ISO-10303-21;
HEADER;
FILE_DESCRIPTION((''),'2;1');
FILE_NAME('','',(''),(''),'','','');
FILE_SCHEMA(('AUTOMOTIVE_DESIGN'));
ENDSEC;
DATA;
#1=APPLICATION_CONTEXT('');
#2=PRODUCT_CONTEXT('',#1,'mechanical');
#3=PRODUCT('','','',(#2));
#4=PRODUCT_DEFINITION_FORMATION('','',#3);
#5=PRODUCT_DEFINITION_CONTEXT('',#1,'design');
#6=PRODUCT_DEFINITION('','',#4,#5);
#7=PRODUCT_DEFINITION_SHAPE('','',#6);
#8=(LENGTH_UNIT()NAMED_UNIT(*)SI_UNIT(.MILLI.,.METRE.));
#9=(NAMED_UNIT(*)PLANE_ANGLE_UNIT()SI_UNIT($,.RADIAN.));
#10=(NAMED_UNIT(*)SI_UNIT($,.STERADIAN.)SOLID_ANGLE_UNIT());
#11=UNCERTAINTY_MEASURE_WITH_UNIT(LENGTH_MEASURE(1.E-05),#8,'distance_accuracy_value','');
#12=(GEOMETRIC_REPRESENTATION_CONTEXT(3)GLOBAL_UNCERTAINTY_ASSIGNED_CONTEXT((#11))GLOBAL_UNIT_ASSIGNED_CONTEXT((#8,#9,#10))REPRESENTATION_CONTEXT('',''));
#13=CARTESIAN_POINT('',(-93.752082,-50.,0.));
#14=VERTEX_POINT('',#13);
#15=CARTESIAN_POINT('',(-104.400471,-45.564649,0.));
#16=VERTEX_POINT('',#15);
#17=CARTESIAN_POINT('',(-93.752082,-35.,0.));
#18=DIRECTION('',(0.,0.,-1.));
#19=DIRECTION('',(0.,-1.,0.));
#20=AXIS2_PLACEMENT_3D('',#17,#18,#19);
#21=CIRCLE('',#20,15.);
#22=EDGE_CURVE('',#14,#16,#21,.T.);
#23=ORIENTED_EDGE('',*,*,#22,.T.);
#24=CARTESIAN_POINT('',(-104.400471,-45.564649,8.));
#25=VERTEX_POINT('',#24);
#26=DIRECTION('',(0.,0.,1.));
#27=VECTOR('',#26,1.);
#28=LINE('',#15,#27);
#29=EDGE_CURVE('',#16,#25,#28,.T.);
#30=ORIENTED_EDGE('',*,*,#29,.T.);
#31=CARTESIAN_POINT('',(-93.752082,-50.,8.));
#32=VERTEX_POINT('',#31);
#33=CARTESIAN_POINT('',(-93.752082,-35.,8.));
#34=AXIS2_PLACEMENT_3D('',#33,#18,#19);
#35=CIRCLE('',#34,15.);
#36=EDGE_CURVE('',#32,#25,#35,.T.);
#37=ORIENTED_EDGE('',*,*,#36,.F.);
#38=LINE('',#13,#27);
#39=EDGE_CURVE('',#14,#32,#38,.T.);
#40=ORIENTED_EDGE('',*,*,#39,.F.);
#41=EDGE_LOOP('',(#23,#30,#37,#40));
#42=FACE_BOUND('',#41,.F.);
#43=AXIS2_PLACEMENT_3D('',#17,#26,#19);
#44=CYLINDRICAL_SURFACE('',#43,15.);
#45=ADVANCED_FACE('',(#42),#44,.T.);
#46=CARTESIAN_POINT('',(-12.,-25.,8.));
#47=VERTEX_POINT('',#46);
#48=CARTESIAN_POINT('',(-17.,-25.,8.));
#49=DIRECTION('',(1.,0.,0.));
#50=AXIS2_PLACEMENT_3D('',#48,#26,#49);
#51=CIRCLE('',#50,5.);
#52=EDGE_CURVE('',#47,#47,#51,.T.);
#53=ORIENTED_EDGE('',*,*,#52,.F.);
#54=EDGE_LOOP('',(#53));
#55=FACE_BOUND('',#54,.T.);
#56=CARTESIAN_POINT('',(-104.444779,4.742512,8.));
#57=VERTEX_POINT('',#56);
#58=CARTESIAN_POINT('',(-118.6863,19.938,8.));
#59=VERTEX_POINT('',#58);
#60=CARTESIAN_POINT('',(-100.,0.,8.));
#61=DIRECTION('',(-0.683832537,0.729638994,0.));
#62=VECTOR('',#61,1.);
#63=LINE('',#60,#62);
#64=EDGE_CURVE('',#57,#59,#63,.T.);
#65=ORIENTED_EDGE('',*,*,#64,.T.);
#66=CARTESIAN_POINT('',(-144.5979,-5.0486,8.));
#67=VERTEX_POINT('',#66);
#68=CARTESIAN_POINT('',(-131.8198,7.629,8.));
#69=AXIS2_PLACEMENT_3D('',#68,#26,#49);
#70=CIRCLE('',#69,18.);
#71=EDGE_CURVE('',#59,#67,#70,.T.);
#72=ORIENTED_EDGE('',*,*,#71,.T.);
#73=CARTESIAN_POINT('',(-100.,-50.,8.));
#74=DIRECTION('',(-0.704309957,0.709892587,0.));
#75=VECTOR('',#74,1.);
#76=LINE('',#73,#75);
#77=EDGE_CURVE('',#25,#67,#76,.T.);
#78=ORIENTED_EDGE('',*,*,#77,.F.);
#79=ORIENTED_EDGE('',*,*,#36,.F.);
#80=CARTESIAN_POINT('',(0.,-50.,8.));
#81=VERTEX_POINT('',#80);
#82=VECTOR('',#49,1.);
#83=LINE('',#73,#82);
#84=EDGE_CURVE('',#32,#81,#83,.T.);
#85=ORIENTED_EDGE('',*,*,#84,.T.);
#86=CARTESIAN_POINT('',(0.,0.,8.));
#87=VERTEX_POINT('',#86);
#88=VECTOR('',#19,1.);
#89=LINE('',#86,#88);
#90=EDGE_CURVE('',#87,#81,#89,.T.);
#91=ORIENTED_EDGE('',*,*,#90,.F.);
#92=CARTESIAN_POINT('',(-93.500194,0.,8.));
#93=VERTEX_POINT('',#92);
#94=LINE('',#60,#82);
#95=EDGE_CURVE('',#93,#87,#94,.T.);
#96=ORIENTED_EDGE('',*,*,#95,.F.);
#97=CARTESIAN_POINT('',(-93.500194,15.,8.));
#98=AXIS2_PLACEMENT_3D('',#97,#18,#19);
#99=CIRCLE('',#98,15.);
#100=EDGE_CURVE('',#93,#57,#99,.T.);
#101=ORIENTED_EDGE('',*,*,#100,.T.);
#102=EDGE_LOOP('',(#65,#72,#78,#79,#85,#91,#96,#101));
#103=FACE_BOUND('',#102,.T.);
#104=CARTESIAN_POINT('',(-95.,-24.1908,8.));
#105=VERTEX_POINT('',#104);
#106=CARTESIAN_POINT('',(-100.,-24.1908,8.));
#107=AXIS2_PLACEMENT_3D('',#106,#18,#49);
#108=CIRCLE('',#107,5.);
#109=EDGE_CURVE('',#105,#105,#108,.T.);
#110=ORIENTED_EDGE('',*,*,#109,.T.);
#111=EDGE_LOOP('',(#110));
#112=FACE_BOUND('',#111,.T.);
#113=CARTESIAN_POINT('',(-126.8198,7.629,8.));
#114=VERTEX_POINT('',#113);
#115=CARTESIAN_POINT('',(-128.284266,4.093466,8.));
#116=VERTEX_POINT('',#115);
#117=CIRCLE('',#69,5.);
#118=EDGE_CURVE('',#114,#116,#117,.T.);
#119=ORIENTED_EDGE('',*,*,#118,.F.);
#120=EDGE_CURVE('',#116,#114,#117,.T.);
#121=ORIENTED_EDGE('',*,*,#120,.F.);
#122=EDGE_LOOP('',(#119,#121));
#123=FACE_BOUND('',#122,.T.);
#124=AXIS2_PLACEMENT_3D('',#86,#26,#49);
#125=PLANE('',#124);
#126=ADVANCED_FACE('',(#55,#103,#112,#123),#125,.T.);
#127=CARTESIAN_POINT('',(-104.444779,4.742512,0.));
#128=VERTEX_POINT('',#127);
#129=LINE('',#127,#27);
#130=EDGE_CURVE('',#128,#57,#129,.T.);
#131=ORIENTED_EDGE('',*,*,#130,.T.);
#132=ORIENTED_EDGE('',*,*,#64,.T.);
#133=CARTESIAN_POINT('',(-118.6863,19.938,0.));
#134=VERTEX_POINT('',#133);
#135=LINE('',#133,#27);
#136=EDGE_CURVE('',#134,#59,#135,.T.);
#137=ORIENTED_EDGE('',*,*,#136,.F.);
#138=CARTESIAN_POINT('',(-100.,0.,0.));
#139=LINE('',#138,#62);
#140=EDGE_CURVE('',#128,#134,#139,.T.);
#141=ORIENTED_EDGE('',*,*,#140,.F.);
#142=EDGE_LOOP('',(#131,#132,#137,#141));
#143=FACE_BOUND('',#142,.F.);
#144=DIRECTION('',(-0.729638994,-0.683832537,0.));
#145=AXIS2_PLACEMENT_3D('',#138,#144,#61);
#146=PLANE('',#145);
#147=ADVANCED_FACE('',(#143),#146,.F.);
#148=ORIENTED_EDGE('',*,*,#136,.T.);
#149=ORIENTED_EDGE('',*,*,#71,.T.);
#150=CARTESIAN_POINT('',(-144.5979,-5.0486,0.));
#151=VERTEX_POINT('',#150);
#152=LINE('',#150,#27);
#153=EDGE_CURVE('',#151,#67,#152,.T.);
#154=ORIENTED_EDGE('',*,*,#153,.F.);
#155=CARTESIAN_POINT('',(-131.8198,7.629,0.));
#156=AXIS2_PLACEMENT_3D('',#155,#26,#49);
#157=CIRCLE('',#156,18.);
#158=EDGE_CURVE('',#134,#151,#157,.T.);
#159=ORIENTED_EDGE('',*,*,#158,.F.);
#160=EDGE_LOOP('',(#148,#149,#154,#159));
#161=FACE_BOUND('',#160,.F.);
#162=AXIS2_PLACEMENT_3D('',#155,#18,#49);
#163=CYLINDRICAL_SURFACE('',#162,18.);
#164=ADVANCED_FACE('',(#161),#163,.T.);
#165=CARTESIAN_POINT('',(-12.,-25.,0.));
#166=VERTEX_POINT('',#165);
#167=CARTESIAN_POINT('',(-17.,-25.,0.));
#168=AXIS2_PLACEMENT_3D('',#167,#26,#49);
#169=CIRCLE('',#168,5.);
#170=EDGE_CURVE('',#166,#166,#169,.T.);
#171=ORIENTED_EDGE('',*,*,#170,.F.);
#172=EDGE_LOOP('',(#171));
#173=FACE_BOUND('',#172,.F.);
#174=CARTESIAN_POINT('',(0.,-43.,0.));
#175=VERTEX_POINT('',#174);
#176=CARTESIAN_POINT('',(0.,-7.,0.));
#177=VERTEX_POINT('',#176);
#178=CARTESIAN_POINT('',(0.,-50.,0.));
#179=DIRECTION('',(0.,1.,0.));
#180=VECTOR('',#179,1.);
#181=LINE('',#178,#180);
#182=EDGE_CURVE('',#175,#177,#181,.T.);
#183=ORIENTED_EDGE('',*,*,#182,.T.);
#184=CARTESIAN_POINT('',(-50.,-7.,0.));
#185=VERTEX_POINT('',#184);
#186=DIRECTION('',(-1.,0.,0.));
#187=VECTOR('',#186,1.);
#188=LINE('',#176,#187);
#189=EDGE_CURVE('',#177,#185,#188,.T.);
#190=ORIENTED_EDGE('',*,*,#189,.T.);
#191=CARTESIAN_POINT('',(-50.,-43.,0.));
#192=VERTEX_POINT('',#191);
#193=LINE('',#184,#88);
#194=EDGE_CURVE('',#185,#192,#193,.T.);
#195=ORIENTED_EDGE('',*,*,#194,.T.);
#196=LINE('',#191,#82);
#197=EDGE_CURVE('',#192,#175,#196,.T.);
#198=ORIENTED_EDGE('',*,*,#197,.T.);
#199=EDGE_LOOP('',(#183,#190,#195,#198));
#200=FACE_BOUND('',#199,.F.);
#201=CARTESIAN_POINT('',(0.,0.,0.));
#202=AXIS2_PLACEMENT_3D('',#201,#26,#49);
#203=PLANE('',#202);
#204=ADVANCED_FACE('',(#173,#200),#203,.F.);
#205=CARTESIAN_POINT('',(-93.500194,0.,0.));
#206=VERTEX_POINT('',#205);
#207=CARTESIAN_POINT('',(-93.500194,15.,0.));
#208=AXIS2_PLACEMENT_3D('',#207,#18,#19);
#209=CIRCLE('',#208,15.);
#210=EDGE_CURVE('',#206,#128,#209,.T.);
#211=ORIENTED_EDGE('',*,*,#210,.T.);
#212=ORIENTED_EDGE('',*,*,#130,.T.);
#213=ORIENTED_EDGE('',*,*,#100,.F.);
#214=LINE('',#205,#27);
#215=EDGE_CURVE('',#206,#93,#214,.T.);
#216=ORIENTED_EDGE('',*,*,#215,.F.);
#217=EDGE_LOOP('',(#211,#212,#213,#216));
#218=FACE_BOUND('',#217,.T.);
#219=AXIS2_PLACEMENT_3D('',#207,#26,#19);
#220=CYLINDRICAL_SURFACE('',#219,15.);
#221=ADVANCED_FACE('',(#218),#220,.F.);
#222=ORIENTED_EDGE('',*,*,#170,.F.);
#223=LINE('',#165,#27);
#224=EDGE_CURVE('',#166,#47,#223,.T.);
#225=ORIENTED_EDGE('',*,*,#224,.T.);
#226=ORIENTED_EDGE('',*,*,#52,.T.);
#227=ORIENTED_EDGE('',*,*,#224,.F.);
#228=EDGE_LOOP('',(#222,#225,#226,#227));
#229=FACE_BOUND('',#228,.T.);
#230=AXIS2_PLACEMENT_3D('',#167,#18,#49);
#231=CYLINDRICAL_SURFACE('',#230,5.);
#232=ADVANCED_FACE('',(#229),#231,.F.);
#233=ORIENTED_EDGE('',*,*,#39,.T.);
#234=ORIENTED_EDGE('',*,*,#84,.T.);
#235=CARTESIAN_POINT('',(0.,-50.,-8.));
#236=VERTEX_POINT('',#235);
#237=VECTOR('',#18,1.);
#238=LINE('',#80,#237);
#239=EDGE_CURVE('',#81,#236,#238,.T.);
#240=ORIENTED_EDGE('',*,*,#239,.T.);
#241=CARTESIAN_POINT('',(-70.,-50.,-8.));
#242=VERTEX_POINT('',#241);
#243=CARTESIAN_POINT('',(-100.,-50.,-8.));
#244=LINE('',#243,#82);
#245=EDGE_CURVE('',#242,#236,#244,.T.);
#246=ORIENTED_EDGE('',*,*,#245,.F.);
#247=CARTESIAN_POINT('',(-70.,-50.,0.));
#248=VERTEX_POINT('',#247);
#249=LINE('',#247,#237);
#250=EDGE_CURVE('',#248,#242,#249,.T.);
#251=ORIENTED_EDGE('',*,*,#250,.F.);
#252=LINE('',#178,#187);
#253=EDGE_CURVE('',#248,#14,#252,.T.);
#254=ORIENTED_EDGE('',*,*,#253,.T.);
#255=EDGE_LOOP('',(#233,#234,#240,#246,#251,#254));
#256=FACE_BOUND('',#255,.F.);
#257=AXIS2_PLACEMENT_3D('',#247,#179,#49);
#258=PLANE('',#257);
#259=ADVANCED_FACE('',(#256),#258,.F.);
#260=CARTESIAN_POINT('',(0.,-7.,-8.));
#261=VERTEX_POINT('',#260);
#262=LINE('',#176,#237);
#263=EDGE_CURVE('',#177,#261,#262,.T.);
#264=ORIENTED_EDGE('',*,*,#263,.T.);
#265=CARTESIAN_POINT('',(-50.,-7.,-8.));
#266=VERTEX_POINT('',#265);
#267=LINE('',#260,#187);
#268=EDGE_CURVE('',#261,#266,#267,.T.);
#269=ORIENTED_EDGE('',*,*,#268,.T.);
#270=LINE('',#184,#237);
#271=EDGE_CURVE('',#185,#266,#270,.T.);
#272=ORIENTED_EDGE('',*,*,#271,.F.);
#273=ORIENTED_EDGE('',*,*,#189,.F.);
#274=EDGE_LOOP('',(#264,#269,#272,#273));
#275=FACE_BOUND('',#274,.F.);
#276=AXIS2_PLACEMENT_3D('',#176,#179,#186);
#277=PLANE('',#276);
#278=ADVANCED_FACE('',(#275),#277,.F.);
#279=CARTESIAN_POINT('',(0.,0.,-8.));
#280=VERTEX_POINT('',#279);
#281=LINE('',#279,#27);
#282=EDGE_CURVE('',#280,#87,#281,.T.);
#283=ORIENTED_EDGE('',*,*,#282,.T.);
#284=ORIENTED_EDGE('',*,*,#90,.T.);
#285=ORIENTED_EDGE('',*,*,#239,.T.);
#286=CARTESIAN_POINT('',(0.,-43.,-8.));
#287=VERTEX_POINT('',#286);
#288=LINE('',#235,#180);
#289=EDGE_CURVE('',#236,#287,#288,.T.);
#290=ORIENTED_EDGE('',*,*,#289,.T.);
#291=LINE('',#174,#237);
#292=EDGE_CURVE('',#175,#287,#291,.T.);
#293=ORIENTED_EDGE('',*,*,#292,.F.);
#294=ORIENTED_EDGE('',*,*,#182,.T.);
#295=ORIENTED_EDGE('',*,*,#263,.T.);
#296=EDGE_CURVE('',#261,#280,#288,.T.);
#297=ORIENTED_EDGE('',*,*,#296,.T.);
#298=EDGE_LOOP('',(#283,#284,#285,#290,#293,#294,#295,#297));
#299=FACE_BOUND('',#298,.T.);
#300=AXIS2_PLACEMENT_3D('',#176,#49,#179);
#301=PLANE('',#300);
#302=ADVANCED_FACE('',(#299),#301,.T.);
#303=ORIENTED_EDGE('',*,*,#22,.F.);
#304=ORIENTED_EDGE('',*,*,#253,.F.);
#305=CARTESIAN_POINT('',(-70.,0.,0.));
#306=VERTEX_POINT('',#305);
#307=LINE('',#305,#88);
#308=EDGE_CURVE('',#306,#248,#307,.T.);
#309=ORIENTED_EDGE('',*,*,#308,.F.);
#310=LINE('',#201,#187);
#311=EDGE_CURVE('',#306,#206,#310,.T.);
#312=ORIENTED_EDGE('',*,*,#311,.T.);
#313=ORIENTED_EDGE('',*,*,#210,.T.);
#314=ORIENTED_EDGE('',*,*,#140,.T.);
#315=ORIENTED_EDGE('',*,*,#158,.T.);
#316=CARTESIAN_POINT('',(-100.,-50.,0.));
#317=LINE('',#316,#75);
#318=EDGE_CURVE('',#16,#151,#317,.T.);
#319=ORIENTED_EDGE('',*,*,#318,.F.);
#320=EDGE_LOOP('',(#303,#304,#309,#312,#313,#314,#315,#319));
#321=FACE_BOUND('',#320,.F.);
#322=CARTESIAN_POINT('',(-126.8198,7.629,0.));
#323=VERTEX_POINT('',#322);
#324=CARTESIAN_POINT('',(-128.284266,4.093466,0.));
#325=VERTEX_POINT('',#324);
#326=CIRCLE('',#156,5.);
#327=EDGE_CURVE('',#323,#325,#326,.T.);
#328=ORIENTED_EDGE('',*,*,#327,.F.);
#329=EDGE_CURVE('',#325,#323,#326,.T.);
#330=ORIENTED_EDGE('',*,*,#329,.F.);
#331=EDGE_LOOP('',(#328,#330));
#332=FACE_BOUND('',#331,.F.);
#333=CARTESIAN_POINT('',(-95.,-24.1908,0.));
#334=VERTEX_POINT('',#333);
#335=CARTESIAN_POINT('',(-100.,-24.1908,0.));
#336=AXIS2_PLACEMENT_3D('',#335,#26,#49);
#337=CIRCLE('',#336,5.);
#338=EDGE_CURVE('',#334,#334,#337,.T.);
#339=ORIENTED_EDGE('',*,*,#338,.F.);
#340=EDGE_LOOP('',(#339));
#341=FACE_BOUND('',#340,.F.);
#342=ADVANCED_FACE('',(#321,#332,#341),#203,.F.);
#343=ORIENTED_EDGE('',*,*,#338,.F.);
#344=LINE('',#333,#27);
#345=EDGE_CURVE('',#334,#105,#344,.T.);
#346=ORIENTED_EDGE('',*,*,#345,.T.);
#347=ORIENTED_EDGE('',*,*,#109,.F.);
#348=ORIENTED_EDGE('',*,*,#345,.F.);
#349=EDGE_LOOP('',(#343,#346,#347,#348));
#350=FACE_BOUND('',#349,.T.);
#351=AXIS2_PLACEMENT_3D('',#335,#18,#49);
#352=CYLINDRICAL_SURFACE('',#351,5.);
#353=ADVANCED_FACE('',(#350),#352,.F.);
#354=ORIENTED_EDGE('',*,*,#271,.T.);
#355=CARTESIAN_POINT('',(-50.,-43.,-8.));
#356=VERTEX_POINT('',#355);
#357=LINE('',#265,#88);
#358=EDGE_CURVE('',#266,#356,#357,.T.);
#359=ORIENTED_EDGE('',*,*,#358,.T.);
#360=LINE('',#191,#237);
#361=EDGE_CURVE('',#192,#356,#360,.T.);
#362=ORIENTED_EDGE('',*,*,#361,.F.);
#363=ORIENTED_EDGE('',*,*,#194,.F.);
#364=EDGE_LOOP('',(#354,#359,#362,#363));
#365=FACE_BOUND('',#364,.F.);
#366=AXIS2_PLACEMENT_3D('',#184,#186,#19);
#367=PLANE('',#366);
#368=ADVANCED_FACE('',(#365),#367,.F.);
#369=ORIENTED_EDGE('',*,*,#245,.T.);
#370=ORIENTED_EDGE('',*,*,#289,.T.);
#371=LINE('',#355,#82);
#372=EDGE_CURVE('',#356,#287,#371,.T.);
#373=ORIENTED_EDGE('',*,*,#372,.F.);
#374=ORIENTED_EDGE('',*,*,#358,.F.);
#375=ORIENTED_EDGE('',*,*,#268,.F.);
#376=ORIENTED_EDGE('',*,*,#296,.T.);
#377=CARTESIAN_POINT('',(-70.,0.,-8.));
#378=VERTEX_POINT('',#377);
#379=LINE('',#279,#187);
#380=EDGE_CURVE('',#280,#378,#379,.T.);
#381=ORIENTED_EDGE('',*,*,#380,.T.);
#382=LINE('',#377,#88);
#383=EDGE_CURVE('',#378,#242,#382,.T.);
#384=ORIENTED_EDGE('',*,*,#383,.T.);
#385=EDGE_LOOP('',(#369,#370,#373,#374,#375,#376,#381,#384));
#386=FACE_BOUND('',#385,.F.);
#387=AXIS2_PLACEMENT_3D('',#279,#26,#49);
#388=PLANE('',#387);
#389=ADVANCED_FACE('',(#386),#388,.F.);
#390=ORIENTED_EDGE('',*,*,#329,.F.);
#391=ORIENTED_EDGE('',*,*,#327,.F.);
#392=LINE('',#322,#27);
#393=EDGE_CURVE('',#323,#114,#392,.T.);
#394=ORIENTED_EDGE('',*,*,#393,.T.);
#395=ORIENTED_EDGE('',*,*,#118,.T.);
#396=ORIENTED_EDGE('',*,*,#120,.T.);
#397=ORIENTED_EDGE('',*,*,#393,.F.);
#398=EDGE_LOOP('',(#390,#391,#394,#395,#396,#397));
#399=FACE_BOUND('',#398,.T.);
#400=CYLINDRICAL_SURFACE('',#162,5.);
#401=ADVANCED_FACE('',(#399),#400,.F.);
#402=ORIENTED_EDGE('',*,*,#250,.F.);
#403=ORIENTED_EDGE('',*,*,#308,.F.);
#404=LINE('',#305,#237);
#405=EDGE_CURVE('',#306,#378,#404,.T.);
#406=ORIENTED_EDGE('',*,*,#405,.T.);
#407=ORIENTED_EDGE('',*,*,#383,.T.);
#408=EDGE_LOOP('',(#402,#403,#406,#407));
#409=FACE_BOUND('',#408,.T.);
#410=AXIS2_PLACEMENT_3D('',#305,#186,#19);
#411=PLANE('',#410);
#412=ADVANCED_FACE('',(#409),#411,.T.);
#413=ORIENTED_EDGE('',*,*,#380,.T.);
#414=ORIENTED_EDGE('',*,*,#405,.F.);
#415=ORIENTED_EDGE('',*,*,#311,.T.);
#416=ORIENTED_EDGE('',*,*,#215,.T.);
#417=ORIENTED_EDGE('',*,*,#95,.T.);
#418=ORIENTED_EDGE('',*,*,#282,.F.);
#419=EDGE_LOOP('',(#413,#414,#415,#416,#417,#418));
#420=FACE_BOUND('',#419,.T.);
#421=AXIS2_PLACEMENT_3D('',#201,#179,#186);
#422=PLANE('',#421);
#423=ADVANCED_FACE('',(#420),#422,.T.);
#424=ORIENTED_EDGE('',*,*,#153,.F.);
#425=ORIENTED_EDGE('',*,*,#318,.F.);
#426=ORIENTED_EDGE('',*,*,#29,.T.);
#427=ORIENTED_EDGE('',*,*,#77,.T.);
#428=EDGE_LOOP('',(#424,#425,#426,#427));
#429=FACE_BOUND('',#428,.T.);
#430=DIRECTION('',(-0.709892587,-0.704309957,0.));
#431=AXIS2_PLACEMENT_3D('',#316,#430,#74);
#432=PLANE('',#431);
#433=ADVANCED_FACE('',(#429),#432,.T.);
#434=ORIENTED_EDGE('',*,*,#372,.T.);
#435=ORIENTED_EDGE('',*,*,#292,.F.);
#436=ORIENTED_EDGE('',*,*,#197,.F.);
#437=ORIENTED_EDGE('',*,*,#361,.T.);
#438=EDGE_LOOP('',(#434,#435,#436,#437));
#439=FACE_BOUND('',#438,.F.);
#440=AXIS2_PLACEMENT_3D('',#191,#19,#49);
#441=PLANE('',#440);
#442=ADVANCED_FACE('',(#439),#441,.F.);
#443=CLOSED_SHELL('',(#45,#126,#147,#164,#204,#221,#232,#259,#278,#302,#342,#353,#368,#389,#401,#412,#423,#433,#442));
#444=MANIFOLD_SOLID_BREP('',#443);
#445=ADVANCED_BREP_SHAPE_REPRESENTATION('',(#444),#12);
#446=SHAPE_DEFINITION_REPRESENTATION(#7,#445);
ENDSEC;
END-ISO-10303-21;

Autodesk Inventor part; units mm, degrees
ref_plane "YZ Plane" through (0, 0, 0) normal (1, 0, 0) x (0, 1, 0)
ref_plane "XZ Plane" through (0, 0, 0) normal (0, 1, 0) x (-1, 0, 0)
ref_plane "XY Plane" through (0, 0, 0) normal (0, 0, 1) x (1, 0, 0)
sketch "Sketch1" plane through (0, 0, 0) normal (0, 0, 1) x (1, 0, 0)
  line L0 (0, 0) -> (-100, 0)
  line L1 (-100, 0) -> (-100, -50)
  line L2 (-100, -50) -> (0, -50)
  line L3 (0, -50) -> (0, 0)
  line L4 (0, 0) -> (-70, 0)
  line L5 (-70, 0) -> (-70, -50)
  line L6 (-70, -50) -> (0, -50)
  line L7 (0, -50) -> (0, 0)
  line L8 (0, -7) -> (-50, -7)
  line L9 (-50, -7) -> (-50, -43)
  line L10 (-50, -43) -> (0, -43)
  line L11 (0, -43) -> (0, -7)
  line L12 (-100, -24.1908) -> (-131.8198, 7.629)
  line L13 (-100, -24.1908) -> (-55, -24.1908) construction
  circle A0 centre (-131.8198, 7.629) radius 5
  circle A1 centre (-100, -24.1908) radius 5
  circle A2 centre (-17, -25) radius 5
  circle A3 centre (-131.8198, 7.629) radius 18
  line L14 (-100, 0) -> (-118.6863, 19.938)
  line L15 (-100, -50) -> (-144.5979, -5.0486)
  point P0 (0, -43)
  dimension "d0" = 100
  dimension "d1" = 50
  dimension "d2" = 36
  dimension "d3" = 50
  dimension "d4" = 7
  dimension "d5" = 45
  dimension "d6" = 135
  dimension "d7" = 10
  dimension "d8" = 36
  dimension "d9" = 17
  dimension "d10" = 25
  dimension "d11" = 70
  dimension "d13" = 133.144
extrude "Extrusion1" add sketch "Sketch1" along normal blind 8 contours L3 L8 L9 L10 L2 L5 L0 | L5 L2 L1 A1 L0 | L3 L10 L9 L8 | L1 A1 L12 A3 L14 | A3 | L15 A3 L12 A1 L1
extrude "Extrusion2" add sketch "Sketch1" against normal blind 8 contours L3 L8 L9 L10 L2 L5 L0
fillet "Fillet1" radius 15 2 edges at (-100, 0, 4) (-100, -50, 4)
properties part number "handlesupport" material "Steel, Mild"
